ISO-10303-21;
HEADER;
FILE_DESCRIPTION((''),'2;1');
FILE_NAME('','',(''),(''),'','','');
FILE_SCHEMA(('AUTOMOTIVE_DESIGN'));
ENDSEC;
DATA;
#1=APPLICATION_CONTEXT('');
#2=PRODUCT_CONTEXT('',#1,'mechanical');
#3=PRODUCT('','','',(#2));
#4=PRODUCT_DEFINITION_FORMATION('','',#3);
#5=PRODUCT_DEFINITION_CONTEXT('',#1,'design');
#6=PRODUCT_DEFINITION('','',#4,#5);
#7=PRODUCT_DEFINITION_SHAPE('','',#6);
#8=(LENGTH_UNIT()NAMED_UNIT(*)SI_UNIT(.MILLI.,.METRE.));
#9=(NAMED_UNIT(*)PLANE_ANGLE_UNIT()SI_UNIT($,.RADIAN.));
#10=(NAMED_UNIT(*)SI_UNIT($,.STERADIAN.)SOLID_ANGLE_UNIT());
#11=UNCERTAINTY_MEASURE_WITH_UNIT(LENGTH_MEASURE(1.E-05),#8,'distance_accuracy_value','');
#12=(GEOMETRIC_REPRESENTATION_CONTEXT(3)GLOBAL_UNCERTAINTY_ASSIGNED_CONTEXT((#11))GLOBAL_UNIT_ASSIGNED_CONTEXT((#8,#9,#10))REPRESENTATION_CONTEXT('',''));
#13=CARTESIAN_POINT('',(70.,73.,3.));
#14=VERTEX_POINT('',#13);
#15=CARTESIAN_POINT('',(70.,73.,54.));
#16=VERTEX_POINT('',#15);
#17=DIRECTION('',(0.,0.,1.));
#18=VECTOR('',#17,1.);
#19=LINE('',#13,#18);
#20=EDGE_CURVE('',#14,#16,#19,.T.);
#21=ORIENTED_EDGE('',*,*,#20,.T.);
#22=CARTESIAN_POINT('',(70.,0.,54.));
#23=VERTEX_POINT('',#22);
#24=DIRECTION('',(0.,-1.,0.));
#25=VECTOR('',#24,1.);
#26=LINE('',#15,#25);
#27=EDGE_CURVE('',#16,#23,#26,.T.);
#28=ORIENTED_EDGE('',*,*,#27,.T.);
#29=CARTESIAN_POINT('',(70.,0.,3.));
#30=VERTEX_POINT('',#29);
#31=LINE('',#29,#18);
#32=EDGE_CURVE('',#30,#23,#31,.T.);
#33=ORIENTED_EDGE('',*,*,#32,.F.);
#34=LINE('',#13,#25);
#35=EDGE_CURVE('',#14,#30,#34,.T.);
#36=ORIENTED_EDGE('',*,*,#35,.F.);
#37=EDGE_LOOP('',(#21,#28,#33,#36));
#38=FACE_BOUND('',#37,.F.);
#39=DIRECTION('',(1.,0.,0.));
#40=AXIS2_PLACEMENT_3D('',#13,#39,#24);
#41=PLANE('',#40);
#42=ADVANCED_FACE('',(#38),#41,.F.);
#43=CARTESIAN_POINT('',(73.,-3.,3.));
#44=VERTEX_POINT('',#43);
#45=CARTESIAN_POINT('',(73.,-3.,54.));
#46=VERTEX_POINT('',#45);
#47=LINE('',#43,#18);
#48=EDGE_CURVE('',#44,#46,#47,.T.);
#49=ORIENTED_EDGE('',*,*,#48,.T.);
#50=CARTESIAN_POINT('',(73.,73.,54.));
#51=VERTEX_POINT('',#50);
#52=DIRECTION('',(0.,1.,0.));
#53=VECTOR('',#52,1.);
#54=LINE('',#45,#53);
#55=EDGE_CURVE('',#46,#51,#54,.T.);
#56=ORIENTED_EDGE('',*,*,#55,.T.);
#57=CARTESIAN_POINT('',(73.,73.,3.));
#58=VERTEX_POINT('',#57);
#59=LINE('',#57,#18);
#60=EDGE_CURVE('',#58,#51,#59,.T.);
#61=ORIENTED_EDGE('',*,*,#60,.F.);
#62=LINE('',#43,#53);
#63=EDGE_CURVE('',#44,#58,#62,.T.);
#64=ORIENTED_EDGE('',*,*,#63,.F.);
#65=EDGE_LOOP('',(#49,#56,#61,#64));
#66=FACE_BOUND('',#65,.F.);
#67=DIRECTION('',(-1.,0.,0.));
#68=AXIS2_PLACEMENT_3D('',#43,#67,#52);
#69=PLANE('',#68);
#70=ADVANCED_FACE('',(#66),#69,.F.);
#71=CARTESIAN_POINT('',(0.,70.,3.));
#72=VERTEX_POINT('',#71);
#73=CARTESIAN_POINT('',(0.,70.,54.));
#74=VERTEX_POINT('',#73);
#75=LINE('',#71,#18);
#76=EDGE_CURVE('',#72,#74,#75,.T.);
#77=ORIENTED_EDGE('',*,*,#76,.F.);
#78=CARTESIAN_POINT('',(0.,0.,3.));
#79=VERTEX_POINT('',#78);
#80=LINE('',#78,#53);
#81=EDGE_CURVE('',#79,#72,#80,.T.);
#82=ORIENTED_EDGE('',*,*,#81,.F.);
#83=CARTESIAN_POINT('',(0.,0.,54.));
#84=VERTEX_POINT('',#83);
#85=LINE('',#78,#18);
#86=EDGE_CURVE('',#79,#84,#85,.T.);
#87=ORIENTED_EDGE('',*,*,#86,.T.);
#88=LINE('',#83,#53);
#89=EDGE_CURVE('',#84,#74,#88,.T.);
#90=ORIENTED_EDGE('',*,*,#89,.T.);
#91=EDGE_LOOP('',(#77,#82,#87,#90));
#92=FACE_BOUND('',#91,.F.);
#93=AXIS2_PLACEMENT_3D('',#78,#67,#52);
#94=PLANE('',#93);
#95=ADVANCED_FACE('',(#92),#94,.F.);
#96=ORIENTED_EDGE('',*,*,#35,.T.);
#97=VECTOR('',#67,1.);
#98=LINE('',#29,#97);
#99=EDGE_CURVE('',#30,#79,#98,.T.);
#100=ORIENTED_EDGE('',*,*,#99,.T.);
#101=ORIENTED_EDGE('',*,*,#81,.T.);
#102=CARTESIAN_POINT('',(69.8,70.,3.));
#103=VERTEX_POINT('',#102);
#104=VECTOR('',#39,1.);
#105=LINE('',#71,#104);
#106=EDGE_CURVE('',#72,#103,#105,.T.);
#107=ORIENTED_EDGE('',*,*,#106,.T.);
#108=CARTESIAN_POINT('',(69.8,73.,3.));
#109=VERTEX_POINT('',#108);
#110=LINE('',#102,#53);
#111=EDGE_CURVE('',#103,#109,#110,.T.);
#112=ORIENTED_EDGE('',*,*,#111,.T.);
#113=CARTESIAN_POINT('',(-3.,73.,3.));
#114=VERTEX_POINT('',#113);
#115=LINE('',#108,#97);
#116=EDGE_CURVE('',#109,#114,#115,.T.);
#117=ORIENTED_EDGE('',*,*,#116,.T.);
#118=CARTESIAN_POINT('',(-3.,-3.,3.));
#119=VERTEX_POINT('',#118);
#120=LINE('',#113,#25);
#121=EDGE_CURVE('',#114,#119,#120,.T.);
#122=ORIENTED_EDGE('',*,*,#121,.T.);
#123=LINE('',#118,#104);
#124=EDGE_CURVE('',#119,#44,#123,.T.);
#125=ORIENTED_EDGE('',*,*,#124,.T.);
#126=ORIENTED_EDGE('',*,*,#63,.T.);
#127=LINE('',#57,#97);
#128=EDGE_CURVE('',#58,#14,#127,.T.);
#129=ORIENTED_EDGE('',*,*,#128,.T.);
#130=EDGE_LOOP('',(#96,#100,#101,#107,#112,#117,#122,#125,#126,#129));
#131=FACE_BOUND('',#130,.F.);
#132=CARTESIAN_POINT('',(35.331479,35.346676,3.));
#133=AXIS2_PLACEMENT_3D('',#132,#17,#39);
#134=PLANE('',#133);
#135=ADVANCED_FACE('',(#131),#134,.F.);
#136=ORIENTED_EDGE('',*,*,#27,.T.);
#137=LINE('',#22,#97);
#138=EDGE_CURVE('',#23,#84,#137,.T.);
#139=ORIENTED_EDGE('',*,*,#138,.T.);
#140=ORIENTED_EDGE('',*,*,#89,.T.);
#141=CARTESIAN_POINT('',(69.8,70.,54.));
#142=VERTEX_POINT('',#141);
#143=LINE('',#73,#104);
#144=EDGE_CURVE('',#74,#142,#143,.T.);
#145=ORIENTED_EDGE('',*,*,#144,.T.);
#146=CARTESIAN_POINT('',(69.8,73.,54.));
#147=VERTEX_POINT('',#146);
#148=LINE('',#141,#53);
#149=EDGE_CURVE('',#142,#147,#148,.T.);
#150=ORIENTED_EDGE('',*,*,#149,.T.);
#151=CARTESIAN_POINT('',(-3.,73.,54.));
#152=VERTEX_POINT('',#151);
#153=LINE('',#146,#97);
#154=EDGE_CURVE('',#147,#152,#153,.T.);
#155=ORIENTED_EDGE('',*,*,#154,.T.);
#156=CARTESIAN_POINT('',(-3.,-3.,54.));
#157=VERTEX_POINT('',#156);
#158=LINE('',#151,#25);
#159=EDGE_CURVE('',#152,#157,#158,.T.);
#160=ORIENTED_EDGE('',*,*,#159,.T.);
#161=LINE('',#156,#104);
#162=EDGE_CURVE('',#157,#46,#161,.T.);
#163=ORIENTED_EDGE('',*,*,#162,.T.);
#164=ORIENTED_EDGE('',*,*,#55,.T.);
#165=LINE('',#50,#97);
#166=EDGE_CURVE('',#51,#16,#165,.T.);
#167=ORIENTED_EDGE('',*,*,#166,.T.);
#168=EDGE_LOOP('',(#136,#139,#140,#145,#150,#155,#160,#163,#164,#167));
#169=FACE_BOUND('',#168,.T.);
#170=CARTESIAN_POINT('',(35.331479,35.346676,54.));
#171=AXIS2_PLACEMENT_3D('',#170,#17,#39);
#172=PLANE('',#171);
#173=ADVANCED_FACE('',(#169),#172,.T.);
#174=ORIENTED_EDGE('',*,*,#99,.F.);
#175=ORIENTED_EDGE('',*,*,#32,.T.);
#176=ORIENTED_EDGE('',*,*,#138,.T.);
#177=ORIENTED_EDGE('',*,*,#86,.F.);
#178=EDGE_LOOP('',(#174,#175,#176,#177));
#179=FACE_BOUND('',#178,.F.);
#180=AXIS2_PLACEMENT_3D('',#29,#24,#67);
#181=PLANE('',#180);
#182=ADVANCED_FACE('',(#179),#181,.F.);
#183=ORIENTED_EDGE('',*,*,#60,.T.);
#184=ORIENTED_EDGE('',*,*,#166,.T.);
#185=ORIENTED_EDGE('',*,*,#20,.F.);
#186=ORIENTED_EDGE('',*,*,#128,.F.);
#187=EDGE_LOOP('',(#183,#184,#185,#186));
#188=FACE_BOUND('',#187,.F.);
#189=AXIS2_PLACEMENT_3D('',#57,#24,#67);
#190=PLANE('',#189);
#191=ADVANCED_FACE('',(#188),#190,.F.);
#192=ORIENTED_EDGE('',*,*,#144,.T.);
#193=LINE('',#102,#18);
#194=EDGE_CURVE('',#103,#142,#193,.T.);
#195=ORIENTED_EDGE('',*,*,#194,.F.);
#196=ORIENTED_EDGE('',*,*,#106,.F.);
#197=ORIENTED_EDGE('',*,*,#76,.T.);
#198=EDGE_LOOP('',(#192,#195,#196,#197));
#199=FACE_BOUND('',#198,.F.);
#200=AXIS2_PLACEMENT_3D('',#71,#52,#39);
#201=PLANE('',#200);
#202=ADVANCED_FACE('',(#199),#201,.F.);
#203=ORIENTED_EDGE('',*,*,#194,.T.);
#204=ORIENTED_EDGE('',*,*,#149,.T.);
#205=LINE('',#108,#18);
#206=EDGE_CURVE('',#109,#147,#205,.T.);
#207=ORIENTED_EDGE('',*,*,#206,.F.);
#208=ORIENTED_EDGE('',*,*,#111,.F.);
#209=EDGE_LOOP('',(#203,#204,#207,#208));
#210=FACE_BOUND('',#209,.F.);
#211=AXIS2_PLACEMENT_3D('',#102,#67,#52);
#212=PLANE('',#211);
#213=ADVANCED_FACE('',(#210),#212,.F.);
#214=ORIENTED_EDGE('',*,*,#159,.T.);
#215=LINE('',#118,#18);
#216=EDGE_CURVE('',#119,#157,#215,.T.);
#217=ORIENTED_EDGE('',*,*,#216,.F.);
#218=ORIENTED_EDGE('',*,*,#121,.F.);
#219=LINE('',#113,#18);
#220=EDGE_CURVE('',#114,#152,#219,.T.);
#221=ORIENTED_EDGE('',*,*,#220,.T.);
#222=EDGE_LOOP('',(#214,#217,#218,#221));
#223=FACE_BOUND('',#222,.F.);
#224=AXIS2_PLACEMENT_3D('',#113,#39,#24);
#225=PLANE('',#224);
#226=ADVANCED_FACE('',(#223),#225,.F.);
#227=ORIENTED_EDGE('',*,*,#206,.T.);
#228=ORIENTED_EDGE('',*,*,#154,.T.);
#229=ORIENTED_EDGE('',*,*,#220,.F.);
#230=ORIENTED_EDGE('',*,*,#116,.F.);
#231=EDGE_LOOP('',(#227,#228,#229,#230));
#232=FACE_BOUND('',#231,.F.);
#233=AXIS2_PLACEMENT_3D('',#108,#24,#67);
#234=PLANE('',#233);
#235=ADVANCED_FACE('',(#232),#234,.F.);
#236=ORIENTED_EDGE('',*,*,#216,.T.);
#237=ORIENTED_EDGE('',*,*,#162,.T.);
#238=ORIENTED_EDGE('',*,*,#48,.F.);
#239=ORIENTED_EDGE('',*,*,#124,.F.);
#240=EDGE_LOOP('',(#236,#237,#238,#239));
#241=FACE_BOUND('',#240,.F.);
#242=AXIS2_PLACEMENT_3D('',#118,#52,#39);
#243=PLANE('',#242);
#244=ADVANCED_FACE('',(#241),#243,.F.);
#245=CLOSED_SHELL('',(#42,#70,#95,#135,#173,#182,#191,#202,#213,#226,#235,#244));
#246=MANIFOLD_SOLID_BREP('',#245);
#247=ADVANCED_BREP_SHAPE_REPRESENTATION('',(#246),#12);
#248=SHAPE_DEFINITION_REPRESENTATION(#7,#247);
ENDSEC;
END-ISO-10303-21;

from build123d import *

# Parameters (mm, degrees)
F1_START = 3
F1_DEPTH = 51


with BuildPart() as f1:
    # F0 (on Top) → F1 (new body)
    with BuildSketch(Plane.XY.offset(F1_START)):
        Polygon((0, 0), (0, 70), (69.8, 70), (69.8, 73), (-3, 73), (-3, -3), (73, -3), (73, 73), (70, 73), (70, 70), (70, 0), align=None)
    extrude(amount=F1_DEPTH)


solid = f1.part
